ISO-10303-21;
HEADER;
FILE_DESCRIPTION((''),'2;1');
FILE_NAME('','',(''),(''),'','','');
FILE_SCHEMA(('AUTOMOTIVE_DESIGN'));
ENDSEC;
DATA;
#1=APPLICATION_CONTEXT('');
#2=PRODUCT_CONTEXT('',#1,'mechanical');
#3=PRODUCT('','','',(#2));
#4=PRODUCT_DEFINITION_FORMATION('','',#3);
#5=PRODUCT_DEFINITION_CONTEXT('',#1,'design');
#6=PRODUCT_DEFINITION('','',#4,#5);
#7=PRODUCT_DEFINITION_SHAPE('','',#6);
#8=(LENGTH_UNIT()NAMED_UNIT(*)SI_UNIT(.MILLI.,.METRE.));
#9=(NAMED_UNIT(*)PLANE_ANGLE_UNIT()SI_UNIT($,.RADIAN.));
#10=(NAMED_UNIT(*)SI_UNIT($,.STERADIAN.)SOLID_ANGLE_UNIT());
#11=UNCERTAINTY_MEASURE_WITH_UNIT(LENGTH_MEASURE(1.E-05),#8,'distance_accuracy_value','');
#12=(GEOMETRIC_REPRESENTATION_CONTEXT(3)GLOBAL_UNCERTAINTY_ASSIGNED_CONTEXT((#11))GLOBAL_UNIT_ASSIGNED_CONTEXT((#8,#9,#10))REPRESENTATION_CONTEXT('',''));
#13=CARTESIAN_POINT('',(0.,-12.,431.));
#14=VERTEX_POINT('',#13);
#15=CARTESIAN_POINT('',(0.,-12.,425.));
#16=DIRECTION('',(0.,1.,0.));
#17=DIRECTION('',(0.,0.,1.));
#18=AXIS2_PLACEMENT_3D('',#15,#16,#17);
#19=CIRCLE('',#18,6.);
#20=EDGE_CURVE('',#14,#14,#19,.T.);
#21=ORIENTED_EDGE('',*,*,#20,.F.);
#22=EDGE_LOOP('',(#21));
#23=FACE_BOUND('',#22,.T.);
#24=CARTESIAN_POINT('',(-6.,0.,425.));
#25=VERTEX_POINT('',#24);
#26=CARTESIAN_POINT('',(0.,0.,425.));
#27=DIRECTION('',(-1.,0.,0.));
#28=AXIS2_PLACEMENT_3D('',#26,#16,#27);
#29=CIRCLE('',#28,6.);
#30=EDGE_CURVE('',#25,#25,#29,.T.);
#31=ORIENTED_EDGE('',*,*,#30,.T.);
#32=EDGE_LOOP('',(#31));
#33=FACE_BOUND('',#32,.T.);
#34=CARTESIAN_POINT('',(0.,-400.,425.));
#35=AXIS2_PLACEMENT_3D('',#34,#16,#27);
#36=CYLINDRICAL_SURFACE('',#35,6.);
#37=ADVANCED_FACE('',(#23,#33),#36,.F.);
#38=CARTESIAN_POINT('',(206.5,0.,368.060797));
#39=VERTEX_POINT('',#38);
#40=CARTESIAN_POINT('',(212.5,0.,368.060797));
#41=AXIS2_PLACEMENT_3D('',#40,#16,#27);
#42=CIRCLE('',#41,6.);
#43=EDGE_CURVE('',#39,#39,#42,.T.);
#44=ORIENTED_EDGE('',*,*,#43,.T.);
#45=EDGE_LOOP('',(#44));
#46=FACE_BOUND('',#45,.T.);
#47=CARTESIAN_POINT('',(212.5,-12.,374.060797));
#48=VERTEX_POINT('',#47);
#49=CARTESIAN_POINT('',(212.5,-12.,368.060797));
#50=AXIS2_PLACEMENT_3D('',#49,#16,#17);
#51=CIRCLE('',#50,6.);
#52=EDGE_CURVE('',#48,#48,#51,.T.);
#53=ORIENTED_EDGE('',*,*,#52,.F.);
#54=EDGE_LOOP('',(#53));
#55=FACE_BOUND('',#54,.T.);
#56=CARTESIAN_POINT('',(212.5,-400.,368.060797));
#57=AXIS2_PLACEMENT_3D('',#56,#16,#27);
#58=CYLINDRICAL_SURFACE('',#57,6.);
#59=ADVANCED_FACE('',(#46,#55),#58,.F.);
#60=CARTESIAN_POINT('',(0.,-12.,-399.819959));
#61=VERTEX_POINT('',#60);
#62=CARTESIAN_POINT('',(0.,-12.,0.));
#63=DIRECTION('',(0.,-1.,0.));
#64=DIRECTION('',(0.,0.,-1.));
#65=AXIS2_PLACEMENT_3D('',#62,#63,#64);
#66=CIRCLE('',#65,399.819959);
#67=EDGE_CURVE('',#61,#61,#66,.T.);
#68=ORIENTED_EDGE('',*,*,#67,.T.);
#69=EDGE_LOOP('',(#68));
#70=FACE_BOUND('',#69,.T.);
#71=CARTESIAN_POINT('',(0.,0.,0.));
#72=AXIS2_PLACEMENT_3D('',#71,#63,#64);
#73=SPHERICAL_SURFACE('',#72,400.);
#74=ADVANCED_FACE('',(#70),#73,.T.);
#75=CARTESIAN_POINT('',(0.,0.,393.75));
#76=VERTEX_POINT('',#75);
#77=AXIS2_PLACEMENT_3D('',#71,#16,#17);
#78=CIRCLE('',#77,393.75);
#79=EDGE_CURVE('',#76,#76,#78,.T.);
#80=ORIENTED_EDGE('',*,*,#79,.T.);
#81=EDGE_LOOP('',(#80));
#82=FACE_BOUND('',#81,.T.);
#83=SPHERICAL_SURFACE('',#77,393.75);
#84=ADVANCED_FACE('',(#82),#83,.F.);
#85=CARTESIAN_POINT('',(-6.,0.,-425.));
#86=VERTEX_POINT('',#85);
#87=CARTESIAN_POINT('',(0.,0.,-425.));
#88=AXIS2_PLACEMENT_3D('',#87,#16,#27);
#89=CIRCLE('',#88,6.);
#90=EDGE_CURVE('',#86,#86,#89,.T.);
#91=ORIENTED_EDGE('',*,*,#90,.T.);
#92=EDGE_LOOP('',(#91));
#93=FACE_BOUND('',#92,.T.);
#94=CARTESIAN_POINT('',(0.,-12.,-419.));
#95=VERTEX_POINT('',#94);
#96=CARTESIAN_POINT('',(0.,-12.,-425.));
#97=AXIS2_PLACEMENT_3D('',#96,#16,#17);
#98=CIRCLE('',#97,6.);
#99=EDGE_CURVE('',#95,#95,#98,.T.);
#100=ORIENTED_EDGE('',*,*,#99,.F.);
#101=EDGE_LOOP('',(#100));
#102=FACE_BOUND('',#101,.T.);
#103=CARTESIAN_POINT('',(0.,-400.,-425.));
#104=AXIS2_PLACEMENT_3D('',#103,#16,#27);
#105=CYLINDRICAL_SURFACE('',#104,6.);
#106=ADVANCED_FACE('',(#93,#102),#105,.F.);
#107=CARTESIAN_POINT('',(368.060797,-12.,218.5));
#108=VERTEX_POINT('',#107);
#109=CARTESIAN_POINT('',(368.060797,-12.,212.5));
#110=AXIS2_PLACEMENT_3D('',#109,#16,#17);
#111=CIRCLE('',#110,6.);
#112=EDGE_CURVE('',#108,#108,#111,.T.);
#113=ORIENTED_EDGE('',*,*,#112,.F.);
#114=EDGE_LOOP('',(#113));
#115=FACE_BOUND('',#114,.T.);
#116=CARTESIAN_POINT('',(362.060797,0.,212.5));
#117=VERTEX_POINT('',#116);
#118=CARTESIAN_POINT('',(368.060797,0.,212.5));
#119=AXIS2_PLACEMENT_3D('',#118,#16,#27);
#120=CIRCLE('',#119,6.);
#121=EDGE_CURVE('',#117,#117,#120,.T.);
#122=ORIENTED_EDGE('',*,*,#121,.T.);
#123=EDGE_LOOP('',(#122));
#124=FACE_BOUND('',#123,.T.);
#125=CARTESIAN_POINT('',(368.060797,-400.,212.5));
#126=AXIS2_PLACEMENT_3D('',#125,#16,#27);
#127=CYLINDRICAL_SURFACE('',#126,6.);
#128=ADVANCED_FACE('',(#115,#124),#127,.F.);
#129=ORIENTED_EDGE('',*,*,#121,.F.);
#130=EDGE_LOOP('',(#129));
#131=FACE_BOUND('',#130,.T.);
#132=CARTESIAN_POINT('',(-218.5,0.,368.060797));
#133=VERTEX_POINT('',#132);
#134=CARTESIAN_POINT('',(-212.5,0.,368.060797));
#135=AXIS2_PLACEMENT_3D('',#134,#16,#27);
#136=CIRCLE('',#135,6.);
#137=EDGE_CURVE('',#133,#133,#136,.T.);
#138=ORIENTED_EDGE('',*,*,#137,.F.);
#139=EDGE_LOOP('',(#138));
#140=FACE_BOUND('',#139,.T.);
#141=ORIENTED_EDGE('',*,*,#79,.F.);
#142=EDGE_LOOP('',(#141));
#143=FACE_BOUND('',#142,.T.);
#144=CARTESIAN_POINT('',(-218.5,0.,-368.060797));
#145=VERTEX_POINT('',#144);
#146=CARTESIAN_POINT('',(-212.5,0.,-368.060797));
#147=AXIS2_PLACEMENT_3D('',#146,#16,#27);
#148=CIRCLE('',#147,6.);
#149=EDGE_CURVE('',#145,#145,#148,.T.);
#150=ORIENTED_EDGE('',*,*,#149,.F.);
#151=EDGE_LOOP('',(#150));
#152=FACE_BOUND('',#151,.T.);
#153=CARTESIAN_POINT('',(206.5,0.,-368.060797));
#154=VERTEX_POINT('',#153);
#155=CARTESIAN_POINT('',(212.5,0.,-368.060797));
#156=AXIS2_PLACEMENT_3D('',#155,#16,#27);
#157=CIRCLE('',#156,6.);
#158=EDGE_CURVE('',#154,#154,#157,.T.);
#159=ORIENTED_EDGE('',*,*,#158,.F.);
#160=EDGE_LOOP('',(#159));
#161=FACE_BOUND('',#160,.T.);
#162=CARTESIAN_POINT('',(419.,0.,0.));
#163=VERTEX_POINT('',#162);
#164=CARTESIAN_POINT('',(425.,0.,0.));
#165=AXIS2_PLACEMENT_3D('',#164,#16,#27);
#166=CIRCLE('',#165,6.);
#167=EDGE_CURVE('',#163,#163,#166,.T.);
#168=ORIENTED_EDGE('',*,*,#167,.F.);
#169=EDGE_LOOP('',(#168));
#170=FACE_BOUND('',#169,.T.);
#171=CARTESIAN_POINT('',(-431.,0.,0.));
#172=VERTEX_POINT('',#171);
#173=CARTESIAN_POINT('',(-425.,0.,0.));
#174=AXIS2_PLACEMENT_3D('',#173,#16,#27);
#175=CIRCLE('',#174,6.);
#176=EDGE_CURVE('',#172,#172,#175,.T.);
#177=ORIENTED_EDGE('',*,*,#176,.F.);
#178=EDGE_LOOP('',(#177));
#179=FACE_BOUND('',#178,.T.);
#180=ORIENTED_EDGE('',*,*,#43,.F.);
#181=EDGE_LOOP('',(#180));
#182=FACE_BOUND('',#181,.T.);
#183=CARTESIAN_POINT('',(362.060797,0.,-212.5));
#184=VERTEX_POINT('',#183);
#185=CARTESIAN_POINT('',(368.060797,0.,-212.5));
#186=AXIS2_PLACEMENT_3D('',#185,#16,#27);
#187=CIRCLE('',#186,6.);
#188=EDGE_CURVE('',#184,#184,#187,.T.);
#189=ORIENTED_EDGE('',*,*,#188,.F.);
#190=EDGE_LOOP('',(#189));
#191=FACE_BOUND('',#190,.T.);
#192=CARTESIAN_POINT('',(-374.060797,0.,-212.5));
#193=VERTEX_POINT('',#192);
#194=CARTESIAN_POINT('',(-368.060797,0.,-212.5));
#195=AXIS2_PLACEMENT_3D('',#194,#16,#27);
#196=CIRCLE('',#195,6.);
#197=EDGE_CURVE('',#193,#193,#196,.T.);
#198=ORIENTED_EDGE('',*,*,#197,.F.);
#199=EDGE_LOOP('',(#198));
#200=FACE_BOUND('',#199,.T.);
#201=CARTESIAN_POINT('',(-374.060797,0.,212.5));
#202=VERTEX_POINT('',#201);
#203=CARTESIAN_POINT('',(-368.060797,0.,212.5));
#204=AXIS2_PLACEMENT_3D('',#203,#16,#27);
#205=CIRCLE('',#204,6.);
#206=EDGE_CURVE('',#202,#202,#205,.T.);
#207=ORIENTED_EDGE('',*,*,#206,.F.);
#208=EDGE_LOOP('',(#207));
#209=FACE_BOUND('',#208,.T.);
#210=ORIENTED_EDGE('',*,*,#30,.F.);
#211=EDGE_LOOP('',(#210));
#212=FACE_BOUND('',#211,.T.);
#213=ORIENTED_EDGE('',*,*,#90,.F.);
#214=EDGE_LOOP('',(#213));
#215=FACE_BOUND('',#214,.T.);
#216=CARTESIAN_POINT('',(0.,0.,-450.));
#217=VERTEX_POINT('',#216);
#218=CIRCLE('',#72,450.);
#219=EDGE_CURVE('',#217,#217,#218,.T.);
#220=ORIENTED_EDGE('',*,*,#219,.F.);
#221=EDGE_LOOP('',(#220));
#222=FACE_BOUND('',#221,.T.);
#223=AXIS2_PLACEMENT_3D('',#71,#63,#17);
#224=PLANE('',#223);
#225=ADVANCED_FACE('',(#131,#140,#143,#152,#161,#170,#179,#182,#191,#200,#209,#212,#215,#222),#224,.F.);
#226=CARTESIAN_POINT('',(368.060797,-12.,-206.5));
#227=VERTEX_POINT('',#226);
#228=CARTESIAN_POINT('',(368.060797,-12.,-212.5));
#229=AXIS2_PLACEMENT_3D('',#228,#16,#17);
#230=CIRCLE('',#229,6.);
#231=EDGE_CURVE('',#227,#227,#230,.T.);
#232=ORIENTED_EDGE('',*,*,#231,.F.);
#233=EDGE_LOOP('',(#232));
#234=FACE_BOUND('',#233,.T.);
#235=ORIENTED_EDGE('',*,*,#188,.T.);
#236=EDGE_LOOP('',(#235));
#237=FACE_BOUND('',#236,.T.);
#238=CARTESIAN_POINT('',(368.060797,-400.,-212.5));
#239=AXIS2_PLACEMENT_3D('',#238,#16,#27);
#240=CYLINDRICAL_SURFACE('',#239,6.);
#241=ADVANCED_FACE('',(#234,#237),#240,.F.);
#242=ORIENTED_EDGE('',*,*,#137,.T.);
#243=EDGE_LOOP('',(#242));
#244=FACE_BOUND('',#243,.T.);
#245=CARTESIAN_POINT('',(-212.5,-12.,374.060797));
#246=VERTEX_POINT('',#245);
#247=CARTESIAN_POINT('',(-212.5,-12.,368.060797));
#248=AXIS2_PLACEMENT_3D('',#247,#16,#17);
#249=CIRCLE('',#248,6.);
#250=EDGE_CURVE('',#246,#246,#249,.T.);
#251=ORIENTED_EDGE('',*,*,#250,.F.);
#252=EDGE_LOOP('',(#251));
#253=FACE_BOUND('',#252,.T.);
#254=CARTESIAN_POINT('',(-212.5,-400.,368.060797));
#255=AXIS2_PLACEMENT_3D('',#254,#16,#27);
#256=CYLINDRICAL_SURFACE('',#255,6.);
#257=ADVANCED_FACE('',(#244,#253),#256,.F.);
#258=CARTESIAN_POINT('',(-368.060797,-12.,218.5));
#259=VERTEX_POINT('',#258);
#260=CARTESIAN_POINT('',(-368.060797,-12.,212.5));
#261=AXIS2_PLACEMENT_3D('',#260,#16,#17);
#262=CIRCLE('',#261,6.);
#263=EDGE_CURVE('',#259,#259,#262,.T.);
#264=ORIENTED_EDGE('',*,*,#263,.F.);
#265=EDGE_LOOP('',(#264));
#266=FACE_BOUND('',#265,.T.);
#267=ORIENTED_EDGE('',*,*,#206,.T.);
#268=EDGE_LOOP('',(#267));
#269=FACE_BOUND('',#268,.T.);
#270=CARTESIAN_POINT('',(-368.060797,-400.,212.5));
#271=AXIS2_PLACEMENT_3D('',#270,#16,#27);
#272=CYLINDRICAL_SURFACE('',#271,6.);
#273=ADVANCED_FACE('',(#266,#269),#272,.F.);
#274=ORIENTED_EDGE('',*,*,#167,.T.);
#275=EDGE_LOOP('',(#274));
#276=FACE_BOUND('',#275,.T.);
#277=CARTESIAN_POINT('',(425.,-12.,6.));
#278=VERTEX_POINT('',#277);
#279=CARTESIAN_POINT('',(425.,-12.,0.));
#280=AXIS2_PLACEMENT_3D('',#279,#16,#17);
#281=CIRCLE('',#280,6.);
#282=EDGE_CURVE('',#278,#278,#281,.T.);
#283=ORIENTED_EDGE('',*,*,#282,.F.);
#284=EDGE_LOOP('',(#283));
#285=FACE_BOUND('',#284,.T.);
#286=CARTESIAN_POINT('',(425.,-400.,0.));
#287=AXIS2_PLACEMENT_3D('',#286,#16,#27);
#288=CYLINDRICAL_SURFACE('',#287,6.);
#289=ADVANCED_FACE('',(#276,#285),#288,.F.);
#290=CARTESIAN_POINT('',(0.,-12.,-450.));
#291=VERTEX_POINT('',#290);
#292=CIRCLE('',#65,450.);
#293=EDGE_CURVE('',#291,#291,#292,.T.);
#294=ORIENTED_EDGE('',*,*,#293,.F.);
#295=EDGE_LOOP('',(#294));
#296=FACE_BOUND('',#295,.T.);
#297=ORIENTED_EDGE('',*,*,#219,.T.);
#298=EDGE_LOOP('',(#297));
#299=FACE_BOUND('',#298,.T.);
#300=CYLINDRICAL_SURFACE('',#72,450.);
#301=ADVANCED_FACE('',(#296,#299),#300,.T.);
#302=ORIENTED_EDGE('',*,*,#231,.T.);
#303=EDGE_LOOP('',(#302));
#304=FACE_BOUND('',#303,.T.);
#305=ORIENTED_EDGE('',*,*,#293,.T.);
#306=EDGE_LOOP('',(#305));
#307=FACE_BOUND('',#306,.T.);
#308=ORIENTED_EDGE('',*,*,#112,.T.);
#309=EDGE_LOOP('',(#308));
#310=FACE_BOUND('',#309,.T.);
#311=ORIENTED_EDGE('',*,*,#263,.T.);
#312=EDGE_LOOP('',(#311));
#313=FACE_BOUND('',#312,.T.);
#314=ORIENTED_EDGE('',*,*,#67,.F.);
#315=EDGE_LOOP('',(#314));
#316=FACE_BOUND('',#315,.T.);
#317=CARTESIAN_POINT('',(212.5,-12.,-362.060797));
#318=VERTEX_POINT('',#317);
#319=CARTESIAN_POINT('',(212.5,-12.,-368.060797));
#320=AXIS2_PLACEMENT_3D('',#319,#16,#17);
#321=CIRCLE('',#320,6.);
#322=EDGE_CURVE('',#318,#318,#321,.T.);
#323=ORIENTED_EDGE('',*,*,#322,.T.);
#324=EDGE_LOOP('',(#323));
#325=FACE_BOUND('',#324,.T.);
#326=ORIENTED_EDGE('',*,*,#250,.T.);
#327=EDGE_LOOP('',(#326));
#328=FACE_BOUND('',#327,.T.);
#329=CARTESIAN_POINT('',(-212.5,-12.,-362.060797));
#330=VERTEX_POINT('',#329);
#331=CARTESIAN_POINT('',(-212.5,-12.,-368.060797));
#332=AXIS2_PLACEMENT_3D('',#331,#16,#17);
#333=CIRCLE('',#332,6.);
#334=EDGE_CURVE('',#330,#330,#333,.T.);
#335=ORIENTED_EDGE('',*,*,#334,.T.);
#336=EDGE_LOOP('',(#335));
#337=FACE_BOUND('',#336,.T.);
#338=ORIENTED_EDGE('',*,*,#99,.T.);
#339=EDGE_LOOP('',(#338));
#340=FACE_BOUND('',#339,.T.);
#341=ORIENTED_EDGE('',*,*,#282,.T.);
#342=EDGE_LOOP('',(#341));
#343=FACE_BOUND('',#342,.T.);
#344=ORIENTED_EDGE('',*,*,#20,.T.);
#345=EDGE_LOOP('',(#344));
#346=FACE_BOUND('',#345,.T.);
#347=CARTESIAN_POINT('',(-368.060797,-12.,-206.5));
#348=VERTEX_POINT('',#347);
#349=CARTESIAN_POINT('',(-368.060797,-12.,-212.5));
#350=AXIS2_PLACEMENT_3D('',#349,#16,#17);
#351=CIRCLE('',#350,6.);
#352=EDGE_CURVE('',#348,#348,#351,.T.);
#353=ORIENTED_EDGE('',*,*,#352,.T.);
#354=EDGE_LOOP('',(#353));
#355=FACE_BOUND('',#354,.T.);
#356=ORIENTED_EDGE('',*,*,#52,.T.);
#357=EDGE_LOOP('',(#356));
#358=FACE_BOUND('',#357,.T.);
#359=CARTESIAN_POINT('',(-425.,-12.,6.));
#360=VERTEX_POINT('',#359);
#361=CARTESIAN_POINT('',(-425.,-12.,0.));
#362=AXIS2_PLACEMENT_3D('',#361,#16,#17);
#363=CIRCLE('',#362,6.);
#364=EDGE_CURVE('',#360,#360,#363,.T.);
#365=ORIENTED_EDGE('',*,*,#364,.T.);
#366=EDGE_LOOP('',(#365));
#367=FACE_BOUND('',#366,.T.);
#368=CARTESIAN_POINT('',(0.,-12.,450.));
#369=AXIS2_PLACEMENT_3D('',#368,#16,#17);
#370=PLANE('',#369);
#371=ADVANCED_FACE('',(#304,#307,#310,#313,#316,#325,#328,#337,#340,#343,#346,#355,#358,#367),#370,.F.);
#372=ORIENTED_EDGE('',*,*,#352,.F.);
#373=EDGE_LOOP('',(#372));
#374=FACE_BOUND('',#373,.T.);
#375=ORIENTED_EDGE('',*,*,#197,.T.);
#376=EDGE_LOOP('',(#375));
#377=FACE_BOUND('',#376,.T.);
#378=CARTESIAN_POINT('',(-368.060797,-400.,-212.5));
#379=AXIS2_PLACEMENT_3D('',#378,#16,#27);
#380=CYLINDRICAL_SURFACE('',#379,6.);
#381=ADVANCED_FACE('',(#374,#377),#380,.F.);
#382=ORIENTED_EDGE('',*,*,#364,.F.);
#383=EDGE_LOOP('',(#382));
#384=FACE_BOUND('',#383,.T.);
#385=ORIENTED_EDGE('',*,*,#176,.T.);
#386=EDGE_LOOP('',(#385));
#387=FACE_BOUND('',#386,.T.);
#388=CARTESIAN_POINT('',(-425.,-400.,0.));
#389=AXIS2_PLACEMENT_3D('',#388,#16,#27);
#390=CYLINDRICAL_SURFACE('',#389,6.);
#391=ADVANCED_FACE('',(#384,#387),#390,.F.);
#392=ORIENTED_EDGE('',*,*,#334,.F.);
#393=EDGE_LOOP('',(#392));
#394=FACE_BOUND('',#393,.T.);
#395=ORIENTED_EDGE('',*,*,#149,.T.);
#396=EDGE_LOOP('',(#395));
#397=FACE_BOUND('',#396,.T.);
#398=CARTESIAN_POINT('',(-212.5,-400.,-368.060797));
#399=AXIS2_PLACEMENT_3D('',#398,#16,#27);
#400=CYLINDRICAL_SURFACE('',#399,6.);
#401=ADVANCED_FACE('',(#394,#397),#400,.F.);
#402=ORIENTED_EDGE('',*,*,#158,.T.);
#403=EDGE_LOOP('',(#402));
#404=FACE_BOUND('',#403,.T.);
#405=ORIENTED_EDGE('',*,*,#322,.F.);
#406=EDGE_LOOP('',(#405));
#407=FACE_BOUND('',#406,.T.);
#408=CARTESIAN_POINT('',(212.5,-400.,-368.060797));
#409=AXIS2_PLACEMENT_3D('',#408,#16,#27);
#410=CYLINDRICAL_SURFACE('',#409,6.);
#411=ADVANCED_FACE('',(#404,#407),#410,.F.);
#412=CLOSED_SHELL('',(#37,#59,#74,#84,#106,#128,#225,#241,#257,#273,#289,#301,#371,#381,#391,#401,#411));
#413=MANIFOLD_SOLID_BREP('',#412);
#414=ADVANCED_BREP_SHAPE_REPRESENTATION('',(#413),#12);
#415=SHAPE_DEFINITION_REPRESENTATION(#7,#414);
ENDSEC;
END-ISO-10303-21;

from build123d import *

# Parameters (mm, degrees)
REVOLVE1_ANGLE     = 180
SKETCH10_R         = 6
CUT_EXTRUDE1_DEPTH = 752.664818919


with BuildPart() as part:
    # Sketch1 → Revolve1 (revolve)
    with BuildSketch(Plane(origin=(0, 0, 0), x_dir=(1, 0, 0), z_dir=(0, 1, 0))):
        with BuildLine():
            Line((0, 400), (0, 393.75))
            ThreePointArc((0, 393.75), (-393.75, 0), (0, -393.75))
            Line((0, -393.75), (0, -400))
            ThreePointArc((0, -400), (-400, 0), (0, 400))
        make_face()
    revolve(axis=Axis((0, 0, -400), (0, 0, 1)), revolution_arc=REVOLVE1_ANGLE)

    # Sketch3 → Revolve2 (revolve)
    with BuildSketch(Plane(origin=(0, 0, 0), x_dir=(0, 0, -1), z_dir=(1, 0, 0)), mode=Mode.PRIVATE) as revolve2_sk:
        with BuildLine():
            Line((-400, 0), (-450, 0))
            Line((-450, 0), (-450, -12))
            Line((-450, -12), (-399.819959482, -12))
            ThreePointArc((-399.819959482, -12), (-399.954987338, -6.000675266), (-400, 0))
        make_face()
    revolve(revolve2_sk.sketch.rotate(Axis((0, 0, 0), (0, 1, 0)), 180), axis=Axis((0, 0, 0), (0, 1, 0)))

    # Sketch10 → Cut-Extrude1 (cut, through all)
    with BuildSketch(Plane(origin=(0, 0, 0), x_dir=(1, 0, 0), z_dir=(0, 1, 0))):
        with Locations(Location((0, 425, 0), (0, 0, 180))):
            Circle(SKETCH10_R)
        with Locations(Location((-212.5, 368.060796608, 0), (0, 0, 180))):
            Circle(SKETCH10_R)
        with Locations(Location((-368.060796608, 212.5, 0), (0, 0, 180))):
            Circle(SKETCH10_R)
        with Locations(Location((-425, 0, 0), (0, 0, 180))):
            Circle(SKETCH10_R)
        with Locations(Location((-368.060796608, -212.5, 0), (0, 0, 180))):
            Circle(SKETCH10_R)
        with Locations(Location((-212.5, -368.060796608, 0), (0, 0, 180))):
            Circle(SKETCH10_R)
        with Locations(Location((0, -425, 0), (0, 0, 180))):
            Circle(SKETCH10_R)
        with Locations(Location((212.5, -368.060796608, 0), (0, 0, 180))):
            Circle(SKETCH10_R)
        with Locations(Location((368.060796608, -212.5, 0), (0, 0, 180))):
            Circle(SKETCH10_R)
        with Locations(Location((425, 0, 0), (0, 0, 180))):
            Circle(SKETCH10_R)
        with Locations(Location((368.060796608, 212.5, 0), (0, 0, 180))):
            Circle(SKETCH10_R)
        with Locations(Location((212.5, 368.060796608, 0), (0, 0, 180))):
            Circle(SKETCH10_R)
    extrude(amount=-CUT_EXTRUDE1_DEPTH, mode=Mode.SUBTRACT)


solid = part.part
